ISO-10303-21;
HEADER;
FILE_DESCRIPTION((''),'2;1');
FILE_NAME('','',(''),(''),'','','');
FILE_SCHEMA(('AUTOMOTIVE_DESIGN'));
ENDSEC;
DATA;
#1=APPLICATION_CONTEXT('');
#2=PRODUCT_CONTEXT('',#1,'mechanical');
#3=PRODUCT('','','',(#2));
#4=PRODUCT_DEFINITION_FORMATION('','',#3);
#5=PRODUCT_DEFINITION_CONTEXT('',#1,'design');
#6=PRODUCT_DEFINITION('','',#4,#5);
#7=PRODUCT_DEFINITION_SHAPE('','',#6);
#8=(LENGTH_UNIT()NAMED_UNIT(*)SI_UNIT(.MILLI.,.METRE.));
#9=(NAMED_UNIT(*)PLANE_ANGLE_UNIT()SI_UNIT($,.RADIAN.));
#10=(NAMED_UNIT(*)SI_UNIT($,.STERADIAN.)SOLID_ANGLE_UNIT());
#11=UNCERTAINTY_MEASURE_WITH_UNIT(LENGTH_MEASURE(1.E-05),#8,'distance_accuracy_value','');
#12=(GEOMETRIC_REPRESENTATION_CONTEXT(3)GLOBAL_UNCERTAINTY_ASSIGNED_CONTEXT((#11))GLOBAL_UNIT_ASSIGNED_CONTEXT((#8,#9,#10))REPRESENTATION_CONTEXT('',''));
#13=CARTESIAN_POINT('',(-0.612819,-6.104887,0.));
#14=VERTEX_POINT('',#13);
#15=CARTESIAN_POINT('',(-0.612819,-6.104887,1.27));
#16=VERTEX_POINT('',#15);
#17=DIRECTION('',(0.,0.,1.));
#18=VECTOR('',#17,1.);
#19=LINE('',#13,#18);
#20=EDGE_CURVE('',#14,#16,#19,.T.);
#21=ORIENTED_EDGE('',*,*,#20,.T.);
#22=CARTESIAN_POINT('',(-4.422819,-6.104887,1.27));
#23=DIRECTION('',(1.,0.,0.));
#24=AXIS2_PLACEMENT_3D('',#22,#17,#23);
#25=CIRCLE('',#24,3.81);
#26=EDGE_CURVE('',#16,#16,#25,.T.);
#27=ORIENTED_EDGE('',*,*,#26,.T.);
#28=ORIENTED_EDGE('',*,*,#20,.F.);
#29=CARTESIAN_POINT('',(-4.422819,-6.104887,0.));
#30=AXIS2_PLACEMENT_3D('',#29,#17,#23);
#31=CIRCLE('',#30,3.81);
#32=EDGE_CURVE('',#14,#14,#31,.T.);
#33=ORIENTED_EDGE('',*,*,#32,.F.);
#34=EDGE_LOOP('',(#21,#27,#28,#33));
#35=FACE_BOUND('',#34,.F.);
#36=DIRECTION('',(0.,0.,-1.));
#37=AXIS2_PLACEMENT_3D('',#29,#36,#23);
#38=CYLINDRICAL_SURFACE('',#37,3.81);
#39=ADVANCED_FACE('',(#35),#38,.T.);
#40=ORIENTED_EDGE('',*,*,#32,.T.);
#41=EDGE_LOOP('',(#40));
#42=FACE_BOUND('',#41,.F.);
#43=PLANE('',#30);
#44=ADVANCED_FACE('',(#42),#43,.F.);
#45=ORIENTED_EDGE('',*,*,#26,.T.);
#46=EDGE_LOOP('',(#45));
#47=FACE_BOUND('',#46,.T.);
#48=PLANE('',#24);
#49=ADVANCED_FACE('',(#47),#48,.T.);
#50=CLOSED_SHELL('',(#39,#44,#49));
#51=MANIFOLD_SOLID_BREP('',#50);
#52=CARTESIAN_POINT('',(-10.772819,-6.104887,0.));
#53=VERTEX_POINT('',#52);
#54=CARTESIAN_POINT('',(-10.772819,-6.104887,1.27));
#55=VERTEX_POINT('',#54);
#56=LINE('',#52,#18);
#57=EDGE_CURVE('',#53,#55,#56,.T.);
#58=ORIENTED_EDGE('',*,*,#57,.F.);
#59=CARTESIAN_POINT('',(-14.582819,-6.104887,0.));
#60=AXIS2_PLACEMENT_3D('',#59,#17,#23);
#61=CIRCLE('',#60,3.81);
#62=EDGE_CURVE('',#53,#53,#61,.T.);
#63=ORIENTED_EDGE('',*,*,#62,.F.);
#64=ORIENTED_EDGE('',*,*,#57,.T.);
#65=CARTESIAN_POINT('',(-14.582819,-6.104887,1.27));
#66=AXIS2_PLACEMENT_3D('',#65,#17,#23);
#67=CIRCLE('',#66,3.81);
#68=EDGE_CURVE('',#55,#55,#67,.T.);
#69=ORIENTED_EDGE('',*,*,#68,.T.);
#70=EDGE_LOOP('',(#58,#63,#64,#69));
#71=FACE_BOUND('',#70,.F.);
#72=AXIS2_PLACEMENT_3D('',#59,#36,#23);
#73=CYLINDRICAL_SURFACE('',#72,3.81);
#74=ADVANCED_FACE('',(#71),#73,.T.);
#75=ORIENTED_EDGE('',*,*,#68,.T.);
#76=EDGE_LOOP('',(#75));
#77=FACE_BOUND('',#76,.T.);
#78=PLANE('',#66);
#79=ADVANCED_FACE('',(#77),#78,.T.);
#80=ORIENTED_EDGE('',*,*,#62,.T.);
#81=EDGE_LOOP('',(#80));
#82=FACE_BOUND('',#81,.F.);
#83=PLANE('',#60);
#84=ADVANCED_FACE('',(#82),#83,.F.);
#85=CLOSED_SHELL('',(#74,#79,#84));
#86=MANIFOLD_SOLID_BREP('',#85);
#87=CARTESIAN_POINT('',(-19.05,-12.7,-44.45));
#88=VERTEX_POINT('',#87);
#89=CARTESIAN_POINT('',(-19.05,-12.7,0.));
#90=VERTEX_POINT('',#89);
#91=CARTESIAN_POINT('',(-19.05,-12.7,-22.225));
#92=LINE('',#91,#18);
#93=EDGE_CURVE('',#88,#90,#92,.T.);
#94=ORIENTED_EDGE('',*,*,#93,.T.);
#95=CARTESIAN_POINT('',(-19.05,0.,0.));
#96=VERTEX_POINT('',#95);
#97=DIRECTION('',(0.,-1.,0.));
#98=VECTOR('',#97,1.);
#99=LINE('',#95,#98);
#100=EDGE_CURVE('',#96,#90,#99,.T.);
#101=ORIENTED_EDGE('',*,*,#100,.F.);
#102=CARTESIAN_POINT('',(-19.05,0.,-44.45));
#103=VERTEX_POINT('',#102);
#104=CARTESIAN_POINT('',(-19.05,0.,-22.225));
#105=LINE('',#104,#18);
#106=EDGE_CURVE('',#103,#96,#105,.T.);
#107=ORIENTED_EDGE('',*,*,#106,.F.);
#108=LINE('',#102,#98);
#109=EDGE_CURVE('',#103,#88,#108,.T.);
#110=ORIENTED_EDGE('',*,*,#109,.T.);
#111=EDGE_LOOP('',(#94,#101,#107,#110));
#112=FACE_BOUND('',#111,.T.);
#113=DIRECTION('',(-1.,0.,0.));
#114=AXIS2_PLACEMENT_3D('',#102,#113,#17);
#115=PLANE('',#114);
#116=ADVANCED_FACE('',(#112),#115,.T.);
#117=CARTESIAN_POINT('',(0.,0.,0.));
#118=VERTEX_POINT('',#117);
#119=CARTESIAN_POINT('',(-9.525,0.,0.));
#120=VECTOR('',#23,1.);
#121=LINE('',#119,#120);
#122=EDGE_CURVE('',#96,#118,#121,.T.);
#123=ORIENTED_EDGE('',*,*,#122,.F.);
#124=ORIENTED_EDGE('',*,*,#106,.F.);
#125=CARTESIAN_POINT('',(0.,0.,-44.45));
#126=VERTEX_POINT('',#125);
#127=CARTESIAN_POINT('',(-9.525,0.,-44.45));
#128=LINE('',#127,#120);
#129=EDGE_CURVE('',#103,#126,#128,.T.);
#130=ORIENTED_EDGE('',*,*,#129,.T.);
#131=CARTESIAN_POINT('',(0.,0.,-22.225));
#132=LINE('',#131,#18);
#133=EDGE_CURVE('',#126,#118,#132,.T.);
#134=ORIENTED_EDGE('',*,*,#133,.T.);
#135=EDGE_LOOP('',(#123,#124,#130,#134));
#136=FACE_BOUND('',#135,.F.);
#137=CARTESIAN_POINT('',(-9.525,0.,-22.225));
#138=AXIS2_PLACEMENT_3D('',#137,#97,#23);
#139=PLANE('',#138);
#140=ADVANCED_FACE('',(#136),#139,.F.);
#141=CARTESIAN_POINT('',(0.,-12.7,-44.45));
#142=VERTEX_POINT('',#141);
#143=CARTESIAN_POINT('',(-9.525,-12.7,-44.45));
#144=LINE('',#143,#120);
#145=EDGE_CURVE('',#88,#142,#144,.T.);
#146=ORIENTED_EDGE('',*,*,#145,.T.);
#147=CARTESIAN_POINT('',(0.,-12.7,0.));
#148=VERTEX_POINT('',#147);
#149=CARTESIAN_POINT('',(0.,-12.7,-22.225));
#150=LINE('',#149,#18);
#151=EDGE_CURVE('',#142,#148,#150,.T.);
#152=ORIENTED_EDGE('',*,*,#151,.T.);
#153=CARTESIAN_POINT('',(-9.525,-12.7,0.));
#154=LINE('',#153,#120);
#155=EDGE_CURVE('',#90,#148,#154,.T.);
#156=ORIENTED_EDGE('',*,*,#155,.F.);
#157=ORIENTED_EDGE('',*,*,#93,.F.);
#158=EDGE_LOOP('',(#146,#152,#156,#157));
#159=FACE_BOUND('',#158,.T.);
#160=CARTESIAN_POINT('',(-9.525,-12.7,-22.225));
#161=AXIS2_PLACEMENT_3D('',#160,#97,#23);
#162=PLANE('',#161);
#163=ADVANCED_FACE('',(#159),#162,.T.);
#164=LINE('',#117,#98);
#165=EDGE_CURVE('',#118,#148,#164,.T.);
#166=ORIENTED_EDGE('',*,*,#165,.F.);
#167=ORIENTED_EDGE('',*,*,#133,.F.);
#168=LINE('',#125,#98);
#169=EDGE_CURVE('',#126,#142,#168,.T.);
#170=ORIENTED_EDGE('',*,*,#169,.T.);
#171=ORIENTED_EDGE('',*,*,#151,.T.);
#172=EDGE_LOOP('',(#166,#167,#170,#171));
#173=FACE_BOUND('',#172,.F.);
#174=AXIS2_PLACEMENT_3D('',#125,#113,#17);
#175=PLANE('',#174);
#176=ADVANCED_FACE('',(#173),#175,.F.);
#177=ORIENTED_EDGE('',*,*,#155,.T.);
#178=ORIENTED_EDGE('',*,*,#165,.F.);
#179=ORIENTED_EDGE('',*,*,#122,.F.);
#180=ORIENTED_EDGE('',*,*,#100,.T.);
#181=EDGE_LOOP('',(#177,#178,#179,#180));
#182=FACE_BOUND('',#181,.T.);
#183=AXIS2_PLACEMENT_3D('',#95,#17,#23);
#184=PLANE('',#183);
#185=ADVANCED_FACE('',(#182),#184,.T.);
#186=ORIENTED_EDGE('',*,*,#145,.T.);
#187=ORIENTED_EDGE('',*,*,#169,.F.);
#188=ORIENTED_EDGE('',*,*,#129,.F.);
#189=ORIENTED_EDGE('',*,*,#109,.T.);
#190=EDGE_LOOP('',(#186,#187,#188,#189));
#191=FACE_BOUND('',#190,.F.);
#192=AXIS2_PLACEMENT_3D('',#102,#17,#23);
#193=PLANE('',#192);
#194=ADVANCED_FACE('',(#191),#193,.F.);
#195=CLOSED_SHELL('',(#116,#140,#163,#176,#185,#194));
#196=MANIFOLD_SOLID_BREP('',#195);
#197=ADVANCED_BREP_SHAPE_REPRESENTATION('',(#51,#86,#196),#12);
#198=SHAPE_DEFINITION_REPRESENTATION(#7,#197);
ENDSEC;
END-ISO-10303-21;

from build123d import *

# Parameters (mm, degrees)
F0_W     = 19.05
F0_H     = 44.45
F1_DEPTH = 12.7
F2_R     = 3.81
F3_DEPTH = 1.27


with BuildPart() as f1:
    # F0 (on Front) → F1 (new body)
    with BuildSketch(Plane.XZ):
        with Locations((-9.525, -22.225)):
            Rectangle(F0_W, F0_H)
    extrude(amount=F1_DEPTH)


with BuildPart() as f3:
    # F2 (on face) → F3 (new body)
    with BuildSketch(Plane.XY):
        with Locations((-14.582819, -6.104887)):
            Circle(F2_R)
        with Locations((-4.422819, -6.104887)):
            Circle(F2_R)
    extrude(amount=F3_DEPTH)


solid = Compound([f1.part, f3.part])
